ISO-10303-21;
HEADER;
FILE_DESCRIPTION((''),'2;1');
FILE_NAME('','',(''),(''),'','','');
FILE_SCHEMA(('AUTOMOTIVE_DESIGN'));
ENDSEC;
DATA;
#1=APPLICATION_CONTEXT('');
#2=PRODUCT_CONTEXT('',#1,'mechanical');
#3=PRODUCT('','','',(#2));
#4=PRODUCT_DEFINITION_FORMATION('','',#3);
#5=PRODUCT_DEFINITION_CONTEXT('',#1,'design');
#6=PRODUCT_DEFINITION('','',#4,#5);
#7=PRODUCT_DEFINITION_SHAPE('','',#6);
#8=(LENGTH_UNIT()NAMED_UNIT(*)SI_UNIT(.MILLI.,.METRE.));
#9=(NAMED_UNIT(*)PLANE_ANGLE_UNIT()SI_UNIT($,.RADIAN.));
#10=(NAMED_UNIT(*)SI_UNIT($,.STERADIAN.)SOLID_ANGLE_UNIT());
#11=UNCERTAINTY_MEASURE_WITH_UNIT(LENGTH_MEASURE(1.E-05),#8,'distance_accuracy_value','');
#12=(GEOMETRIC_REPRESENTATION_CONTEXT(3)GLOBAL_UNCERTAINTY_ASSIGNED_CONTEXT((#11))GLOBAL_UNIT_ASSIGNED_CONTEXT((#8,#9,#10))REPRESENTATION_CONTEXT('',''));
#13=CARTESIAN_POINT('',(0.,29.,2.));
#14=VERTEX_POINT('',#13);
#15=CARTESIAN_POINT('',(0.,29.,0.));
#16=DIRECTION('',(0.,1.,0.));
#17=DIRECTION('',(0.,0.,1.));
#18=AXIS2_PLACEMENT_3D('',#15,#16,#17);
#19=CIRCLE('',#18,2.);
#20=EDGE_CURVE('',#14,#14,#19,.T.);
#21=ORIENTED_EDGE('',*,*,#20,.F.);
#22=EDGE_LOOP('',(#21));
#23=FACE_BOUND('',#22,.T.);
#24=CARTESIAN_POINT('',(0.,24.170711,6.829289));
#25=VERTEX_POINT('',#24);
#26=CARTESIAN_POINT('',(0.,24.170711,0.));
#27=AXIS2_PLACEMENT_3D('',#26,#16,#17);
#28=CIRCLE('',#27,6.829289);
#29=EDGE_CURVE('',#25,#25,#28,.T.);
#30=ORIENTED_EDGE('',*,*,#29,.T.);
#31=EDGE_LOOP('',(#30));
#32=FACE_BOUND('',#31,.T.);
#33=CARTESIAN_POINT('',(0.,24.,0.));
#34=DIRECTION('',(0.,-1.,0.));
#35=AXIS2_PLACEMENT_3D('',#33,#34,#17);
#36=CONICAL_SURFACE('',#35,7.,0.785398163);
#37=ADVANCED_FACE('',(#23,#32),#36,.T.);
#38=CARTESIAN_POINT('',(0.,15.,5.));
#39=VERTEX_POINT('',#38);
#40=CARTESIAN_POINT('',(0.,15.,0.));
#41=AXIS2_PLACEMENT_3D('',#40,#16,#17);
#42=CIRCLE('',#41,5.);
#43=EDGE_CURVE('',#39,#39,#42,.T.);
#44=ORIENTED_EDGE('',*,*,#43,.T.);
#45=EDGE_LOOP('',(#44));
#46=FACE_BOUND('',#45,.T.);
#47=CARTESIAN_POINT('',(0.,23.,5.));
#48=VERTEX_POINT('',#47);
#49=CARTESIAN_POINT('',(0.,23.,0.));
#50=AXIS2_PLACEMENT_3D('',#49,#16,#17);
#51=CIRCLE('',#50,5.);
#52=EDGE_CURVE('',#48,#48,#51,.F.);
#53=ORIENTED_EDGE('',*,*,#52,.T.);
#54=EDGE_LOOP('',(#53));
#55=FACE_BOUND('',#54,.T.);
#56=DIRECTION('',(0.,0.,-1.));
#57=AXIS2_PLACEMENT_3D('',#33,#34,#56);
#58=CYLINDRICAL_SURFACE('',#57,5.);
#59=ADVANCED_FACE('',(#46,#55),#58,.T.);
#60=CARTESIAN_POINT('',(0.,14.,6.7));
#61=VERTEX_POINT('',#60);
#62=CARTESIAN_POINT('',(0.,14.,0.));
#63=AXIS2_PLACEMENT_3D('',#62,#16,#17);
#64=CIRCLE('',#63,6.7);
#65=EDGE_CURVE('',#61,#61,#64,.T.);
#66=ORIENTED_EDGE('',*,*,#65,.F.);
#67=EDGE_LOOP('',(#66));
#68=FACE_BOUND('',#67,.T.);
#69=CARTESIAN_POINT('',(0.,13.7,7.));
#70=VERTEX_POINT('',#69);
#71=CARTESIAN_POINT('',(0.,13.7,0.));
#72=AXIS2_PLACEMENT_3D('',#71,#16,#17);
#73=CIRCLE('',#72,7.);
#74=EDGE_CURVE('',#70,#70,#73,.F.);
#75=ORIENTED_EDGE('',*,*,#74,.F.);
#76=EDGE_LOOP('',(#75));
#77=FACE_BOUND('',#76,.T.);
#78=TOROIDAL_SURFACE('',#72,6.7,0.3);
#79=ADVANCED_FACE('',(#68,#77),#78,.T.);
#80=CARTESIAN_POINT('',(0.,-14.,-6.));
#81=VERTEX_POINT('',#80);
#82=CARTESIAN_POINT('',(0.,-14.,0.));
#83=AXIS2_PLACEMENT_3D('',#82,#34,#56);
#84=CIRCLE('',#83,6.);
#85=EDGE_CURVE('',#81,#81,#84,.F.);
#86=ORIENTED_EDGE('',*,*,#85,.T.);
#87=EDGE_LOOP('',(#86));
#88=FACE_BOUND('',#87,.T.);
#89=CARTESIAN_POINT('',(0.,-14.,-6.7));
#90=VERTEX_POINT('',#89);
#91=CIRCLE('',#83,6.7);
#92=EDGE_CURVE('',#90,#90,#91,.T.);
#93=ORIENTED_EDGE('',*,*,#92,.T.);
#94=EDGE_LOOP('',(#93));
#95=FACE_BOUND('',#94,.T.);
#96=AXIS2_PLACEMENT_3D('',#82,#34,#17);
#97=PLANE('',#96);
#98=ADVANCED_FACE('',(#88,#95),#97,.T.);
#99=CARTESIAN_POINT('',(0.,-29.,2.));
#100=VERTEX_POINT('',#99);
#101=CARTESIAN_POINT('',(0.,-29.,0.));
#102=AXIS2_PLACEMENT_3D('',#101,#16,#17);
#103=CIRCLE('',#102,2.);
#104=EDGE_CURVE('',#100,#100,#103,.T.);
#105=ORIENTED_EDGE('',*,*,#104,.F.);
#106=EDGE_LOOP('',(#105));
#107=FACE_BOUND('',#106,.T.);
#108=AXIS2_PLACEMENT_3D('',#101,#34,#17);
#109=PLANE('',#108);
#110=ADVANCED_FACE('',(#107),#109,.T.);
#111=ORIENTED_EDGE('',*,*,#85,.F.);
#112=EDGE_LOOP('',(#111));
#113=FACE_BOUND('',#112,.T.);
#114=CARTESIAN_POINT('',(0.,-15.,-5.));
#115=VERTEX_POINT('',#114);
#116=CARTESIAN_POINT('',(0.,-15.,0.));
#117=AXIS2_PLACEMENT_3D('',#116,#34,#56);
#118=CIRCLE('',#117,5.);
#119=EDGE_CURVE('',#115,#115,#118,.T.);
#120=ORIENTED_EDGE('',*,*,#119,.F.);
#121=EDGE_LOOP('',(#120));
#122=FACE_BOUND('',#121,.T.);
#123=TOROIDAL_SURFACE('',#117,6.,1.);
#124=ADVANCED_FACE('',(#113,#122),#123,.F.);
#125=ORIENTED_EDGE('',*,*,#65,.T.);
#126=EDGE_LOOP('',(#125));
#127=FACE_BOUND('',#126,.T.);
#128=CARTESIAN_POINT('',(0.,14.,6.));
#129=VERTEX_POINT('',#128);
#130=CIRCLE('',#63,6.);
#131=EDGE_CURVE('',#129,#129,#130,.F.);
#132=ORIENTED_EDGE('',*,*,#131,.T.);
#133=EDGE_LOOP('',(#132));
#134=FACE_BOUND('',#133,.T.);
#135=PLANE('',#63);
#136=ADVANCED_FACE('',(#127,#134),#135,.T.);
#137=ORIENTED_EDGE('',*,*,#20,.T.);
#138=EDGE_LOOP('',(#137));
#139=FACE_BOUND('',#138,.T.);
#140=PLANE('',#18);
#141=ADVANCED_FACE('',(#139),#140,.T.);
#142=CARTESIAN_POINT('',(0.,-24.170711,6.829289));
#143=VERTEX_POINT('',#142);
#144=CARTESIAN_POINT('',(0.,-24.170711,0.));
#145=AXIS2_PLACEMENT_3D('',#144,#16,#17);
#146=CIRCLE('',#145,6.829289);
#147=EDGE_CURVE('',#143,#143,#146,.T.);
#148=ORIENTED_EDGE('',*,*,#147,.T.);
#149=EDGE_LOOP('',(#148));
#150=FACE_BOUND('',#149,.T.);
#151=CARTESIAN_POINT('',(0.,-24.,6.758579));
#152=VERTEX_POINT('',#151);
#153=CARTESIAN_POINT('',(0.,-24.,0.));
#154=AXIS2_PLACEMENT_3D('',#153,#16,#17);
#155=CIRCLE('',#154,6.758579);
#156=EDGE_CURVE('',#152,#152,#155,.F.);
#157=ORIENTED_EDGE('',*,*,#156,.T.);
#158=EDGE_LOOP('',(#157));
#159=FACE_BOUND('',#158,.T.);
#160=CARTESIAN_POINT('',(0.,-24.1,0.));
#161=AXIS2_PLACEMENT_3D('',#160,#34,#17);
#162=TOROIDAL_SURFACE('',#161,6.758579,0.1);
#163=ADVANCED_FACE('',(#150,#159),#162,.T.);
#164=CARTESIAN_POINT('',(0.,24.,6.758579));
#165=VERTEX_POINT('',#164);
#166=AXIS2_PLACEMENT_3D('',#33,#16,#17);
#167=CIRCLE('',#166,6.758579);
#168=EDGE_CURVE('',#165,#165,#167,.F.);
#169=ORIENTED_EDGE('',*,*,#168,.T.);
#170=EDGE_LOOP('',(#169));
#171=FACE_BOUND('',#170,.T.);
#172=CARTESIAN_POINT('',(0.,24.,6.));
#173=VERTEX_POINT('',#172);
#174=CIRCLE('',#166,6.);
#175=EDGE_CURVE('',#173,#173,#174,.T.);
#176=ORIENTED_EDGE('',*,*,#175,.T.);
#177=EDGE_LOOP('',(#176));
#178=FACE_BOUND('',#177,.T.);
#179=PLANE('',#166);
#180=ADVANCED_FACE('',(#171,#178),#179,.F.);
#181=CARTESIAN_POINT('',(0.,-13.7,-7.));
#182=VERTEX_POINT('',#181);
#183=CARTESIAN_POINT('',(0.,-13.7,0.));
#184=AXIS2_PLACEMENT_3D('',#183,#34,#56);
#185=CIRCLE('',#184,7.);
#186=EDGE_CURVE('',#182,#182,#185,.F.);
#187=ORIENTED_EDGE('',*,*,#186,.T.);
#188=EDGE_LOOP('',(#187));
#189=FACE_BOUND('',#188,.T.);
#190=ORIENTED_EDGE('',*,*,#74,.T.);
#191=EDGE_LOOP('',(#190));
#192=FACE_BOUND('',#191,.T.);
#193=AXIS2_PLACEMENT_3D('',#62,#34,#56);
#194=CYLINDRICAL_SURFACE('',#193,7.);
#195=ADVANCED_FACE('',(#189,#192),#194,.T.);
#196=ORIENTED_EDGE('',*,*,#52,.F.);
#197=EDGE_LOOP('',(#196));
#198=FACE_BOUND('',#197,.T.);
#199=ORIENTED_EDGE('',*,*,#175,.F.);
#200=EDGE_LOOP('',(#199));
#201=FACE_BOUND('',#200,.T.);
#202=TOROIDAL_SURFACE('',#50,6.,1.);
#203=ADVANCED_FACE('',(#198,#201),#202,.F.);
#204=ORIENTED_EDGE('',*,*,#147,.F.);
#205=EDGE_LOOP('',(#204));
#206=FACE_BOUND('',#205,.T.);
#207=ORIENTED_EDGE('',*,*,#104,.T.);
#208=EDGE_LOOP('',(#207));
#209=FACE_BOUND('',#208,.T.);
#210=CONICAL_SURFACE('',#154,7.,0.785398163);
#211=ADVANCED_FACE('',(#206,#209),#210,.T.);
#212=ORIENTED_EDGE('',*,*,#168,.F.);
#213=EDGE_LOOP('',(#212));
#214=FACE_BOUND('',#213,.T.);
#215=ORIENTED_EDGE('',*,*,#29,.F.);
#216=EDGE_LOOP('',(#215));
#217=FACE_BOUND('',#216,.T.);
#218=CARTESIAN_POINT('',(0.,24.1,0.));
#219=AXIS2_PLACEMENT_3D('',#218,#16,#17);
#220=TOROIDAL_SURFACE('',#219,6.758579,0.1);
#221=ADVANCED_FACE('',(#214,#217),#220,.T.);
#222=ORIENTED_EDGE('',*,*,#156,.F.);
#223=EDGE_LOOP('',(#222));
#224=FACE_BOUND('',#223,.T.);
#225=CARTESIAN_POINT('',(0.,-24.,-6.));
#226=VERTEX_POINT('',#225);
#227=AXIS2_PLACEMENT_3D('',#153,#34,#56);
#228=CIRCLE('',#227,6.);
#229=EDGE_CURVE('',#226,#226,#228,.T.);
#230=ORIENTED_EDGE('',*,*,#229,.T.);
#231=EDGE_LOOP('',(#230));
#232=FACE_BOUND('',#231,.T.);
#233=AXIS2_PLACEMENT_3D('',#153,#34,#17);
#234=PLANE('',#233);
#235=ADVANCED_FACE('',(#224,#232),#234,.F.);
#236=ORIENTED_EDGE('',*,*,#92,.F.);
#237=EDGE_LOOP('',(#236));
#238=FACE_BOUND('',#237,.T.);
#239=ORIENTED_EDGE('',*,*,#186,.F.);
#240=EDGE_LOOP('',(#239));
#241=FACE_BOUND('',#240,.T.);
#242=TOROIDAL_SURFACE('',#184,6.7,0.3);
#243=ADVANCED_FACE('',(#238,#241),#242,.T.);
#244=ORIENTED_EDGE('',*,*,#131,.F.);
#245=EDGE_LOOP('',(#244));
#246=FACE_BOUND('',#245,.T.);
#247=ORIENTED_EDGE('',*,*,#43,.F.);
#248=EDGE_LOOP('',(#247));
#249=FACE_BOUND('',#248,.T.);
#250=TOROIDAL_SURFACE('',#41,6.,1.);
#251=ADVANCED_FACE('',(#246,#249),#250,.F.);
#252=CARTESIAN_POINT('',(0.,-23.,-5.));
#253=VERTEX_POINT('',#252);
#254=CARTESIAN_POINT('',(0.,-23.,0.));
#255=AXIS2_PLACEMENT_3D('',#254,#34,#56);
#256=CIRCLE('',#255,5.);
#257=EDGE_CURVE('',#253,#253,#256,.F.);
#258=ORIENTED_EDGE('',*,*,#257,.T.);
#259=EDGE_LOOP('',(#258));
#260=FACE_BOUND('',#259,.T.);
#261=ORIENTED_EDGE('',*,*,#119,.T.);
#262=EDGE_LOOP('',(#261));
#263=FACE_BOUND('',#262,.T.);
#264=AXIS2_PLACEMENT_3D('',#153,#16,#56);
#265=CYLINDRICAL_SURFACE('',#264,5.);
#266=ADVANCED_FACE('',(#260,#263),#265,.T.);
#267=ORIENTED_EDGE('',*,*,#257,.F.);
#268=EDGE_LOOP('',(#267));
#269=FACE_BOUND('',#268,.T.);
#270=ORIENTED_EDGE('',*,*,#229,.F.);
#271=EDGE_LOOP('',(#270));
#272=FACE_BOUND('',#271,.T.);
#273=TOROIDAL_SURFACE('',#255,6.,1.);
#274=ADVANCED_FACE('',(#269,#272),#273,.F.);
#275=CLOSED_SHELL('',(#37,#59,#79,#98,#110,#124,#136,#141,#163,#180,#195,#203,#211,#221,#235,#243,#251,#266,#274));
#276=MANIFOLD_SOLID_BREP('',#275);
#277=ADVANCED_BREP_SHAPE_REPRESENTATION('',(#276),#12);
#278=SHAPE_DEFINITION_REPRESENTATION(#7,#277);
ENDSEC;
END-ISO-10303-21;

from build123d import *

# Parameters (mm, degrees)
SKETCH1_R           = 7
BOSS_EXTRUDE1_DEPTH = 14
SKETCH2_R           = 5
BOSS_EXTRUDE2_DEPTH = 10
SKETCH4_R           = 7
BOSS_EXTRUDE4_DEPTH = 5
BOSS_EXTRUDE4_TAPER = 45
FILLET1_R           = 0.1
FILLET3_R           = 0.3
FILLET4_R           = 1
FILLET5_R           = 1


with BuildPart() as part:
    # Sketch1 → Boss-Extrude1 (new body)
    with BuildSketch(Plane(origin=(0, 0, 0), x_dir=(1, 0, 0), z_dir=(0, 1, 0))):
        Circle(SKETCH1_R)
    extrude(amount=BOSS_EXTRUDE1_DEPTH)

    # Sketch2 → Boss-Extrude2 (add)
    with BuildSketch(Plane(origin=(0, 14, 0), x_dir=(1, 0, 0), z_dir=(0, 1, 0))):
        Circle(SKETCH2_R)
    extrude(amount=BOSS_EXTRUDE2_DEPTH)

    # Sketch4 → Boss-Extrude4 (add)
    with BuildSketch(Plane(origin=(0, 24, 0), x_dir=(1, 0, 0), z_dir=(0, 1, 0))):
        Circle(SKETCH4_R)
    extrude(amount=BOSS_EXTRUDE4_DEPTH, taper=BOSS_EXTRUDE4_TAPER)

    # Fillet1
    fillet1_edges = [part.edges().sort_by_distance(p)[0] for p in [
        (-7, 24, 0),
    ]]
    fillet(fillet1_edges, radius=FILLET1_R)

    # Mirror1: part across plane


with BuildPart() as part_1:
    add(part.part)
    add(part.part.mirror(Plane.ZX))

    # Fillet3
    fillet3_edges = [part_1.edges().sort_by_distance(p)[0] for p in [
        (-7, -14, 0),
        (-7, 14, 0),
    ]]
    fillet(fillet3_edges, radius=FILLET3_R)

    # Fillet4
    fillet4_edges = [part_1.edges().sort_by_distance(p)[0] for p in [
        (-5, -24, 0),
        (-5, 24, 0),
    ]]
    fillet(fillet4_edges, radius=FILLET4_R)

    # Fillet5
    fillet5_edges = [part_1.edges().sort_by_distance(p)[0] for p in [
        (-5, -14, 0),
        (-5, 14, 0),
    ]]
    fillet(fillet5_edges, radius=FILLET5_R)


solid = part_1.part
